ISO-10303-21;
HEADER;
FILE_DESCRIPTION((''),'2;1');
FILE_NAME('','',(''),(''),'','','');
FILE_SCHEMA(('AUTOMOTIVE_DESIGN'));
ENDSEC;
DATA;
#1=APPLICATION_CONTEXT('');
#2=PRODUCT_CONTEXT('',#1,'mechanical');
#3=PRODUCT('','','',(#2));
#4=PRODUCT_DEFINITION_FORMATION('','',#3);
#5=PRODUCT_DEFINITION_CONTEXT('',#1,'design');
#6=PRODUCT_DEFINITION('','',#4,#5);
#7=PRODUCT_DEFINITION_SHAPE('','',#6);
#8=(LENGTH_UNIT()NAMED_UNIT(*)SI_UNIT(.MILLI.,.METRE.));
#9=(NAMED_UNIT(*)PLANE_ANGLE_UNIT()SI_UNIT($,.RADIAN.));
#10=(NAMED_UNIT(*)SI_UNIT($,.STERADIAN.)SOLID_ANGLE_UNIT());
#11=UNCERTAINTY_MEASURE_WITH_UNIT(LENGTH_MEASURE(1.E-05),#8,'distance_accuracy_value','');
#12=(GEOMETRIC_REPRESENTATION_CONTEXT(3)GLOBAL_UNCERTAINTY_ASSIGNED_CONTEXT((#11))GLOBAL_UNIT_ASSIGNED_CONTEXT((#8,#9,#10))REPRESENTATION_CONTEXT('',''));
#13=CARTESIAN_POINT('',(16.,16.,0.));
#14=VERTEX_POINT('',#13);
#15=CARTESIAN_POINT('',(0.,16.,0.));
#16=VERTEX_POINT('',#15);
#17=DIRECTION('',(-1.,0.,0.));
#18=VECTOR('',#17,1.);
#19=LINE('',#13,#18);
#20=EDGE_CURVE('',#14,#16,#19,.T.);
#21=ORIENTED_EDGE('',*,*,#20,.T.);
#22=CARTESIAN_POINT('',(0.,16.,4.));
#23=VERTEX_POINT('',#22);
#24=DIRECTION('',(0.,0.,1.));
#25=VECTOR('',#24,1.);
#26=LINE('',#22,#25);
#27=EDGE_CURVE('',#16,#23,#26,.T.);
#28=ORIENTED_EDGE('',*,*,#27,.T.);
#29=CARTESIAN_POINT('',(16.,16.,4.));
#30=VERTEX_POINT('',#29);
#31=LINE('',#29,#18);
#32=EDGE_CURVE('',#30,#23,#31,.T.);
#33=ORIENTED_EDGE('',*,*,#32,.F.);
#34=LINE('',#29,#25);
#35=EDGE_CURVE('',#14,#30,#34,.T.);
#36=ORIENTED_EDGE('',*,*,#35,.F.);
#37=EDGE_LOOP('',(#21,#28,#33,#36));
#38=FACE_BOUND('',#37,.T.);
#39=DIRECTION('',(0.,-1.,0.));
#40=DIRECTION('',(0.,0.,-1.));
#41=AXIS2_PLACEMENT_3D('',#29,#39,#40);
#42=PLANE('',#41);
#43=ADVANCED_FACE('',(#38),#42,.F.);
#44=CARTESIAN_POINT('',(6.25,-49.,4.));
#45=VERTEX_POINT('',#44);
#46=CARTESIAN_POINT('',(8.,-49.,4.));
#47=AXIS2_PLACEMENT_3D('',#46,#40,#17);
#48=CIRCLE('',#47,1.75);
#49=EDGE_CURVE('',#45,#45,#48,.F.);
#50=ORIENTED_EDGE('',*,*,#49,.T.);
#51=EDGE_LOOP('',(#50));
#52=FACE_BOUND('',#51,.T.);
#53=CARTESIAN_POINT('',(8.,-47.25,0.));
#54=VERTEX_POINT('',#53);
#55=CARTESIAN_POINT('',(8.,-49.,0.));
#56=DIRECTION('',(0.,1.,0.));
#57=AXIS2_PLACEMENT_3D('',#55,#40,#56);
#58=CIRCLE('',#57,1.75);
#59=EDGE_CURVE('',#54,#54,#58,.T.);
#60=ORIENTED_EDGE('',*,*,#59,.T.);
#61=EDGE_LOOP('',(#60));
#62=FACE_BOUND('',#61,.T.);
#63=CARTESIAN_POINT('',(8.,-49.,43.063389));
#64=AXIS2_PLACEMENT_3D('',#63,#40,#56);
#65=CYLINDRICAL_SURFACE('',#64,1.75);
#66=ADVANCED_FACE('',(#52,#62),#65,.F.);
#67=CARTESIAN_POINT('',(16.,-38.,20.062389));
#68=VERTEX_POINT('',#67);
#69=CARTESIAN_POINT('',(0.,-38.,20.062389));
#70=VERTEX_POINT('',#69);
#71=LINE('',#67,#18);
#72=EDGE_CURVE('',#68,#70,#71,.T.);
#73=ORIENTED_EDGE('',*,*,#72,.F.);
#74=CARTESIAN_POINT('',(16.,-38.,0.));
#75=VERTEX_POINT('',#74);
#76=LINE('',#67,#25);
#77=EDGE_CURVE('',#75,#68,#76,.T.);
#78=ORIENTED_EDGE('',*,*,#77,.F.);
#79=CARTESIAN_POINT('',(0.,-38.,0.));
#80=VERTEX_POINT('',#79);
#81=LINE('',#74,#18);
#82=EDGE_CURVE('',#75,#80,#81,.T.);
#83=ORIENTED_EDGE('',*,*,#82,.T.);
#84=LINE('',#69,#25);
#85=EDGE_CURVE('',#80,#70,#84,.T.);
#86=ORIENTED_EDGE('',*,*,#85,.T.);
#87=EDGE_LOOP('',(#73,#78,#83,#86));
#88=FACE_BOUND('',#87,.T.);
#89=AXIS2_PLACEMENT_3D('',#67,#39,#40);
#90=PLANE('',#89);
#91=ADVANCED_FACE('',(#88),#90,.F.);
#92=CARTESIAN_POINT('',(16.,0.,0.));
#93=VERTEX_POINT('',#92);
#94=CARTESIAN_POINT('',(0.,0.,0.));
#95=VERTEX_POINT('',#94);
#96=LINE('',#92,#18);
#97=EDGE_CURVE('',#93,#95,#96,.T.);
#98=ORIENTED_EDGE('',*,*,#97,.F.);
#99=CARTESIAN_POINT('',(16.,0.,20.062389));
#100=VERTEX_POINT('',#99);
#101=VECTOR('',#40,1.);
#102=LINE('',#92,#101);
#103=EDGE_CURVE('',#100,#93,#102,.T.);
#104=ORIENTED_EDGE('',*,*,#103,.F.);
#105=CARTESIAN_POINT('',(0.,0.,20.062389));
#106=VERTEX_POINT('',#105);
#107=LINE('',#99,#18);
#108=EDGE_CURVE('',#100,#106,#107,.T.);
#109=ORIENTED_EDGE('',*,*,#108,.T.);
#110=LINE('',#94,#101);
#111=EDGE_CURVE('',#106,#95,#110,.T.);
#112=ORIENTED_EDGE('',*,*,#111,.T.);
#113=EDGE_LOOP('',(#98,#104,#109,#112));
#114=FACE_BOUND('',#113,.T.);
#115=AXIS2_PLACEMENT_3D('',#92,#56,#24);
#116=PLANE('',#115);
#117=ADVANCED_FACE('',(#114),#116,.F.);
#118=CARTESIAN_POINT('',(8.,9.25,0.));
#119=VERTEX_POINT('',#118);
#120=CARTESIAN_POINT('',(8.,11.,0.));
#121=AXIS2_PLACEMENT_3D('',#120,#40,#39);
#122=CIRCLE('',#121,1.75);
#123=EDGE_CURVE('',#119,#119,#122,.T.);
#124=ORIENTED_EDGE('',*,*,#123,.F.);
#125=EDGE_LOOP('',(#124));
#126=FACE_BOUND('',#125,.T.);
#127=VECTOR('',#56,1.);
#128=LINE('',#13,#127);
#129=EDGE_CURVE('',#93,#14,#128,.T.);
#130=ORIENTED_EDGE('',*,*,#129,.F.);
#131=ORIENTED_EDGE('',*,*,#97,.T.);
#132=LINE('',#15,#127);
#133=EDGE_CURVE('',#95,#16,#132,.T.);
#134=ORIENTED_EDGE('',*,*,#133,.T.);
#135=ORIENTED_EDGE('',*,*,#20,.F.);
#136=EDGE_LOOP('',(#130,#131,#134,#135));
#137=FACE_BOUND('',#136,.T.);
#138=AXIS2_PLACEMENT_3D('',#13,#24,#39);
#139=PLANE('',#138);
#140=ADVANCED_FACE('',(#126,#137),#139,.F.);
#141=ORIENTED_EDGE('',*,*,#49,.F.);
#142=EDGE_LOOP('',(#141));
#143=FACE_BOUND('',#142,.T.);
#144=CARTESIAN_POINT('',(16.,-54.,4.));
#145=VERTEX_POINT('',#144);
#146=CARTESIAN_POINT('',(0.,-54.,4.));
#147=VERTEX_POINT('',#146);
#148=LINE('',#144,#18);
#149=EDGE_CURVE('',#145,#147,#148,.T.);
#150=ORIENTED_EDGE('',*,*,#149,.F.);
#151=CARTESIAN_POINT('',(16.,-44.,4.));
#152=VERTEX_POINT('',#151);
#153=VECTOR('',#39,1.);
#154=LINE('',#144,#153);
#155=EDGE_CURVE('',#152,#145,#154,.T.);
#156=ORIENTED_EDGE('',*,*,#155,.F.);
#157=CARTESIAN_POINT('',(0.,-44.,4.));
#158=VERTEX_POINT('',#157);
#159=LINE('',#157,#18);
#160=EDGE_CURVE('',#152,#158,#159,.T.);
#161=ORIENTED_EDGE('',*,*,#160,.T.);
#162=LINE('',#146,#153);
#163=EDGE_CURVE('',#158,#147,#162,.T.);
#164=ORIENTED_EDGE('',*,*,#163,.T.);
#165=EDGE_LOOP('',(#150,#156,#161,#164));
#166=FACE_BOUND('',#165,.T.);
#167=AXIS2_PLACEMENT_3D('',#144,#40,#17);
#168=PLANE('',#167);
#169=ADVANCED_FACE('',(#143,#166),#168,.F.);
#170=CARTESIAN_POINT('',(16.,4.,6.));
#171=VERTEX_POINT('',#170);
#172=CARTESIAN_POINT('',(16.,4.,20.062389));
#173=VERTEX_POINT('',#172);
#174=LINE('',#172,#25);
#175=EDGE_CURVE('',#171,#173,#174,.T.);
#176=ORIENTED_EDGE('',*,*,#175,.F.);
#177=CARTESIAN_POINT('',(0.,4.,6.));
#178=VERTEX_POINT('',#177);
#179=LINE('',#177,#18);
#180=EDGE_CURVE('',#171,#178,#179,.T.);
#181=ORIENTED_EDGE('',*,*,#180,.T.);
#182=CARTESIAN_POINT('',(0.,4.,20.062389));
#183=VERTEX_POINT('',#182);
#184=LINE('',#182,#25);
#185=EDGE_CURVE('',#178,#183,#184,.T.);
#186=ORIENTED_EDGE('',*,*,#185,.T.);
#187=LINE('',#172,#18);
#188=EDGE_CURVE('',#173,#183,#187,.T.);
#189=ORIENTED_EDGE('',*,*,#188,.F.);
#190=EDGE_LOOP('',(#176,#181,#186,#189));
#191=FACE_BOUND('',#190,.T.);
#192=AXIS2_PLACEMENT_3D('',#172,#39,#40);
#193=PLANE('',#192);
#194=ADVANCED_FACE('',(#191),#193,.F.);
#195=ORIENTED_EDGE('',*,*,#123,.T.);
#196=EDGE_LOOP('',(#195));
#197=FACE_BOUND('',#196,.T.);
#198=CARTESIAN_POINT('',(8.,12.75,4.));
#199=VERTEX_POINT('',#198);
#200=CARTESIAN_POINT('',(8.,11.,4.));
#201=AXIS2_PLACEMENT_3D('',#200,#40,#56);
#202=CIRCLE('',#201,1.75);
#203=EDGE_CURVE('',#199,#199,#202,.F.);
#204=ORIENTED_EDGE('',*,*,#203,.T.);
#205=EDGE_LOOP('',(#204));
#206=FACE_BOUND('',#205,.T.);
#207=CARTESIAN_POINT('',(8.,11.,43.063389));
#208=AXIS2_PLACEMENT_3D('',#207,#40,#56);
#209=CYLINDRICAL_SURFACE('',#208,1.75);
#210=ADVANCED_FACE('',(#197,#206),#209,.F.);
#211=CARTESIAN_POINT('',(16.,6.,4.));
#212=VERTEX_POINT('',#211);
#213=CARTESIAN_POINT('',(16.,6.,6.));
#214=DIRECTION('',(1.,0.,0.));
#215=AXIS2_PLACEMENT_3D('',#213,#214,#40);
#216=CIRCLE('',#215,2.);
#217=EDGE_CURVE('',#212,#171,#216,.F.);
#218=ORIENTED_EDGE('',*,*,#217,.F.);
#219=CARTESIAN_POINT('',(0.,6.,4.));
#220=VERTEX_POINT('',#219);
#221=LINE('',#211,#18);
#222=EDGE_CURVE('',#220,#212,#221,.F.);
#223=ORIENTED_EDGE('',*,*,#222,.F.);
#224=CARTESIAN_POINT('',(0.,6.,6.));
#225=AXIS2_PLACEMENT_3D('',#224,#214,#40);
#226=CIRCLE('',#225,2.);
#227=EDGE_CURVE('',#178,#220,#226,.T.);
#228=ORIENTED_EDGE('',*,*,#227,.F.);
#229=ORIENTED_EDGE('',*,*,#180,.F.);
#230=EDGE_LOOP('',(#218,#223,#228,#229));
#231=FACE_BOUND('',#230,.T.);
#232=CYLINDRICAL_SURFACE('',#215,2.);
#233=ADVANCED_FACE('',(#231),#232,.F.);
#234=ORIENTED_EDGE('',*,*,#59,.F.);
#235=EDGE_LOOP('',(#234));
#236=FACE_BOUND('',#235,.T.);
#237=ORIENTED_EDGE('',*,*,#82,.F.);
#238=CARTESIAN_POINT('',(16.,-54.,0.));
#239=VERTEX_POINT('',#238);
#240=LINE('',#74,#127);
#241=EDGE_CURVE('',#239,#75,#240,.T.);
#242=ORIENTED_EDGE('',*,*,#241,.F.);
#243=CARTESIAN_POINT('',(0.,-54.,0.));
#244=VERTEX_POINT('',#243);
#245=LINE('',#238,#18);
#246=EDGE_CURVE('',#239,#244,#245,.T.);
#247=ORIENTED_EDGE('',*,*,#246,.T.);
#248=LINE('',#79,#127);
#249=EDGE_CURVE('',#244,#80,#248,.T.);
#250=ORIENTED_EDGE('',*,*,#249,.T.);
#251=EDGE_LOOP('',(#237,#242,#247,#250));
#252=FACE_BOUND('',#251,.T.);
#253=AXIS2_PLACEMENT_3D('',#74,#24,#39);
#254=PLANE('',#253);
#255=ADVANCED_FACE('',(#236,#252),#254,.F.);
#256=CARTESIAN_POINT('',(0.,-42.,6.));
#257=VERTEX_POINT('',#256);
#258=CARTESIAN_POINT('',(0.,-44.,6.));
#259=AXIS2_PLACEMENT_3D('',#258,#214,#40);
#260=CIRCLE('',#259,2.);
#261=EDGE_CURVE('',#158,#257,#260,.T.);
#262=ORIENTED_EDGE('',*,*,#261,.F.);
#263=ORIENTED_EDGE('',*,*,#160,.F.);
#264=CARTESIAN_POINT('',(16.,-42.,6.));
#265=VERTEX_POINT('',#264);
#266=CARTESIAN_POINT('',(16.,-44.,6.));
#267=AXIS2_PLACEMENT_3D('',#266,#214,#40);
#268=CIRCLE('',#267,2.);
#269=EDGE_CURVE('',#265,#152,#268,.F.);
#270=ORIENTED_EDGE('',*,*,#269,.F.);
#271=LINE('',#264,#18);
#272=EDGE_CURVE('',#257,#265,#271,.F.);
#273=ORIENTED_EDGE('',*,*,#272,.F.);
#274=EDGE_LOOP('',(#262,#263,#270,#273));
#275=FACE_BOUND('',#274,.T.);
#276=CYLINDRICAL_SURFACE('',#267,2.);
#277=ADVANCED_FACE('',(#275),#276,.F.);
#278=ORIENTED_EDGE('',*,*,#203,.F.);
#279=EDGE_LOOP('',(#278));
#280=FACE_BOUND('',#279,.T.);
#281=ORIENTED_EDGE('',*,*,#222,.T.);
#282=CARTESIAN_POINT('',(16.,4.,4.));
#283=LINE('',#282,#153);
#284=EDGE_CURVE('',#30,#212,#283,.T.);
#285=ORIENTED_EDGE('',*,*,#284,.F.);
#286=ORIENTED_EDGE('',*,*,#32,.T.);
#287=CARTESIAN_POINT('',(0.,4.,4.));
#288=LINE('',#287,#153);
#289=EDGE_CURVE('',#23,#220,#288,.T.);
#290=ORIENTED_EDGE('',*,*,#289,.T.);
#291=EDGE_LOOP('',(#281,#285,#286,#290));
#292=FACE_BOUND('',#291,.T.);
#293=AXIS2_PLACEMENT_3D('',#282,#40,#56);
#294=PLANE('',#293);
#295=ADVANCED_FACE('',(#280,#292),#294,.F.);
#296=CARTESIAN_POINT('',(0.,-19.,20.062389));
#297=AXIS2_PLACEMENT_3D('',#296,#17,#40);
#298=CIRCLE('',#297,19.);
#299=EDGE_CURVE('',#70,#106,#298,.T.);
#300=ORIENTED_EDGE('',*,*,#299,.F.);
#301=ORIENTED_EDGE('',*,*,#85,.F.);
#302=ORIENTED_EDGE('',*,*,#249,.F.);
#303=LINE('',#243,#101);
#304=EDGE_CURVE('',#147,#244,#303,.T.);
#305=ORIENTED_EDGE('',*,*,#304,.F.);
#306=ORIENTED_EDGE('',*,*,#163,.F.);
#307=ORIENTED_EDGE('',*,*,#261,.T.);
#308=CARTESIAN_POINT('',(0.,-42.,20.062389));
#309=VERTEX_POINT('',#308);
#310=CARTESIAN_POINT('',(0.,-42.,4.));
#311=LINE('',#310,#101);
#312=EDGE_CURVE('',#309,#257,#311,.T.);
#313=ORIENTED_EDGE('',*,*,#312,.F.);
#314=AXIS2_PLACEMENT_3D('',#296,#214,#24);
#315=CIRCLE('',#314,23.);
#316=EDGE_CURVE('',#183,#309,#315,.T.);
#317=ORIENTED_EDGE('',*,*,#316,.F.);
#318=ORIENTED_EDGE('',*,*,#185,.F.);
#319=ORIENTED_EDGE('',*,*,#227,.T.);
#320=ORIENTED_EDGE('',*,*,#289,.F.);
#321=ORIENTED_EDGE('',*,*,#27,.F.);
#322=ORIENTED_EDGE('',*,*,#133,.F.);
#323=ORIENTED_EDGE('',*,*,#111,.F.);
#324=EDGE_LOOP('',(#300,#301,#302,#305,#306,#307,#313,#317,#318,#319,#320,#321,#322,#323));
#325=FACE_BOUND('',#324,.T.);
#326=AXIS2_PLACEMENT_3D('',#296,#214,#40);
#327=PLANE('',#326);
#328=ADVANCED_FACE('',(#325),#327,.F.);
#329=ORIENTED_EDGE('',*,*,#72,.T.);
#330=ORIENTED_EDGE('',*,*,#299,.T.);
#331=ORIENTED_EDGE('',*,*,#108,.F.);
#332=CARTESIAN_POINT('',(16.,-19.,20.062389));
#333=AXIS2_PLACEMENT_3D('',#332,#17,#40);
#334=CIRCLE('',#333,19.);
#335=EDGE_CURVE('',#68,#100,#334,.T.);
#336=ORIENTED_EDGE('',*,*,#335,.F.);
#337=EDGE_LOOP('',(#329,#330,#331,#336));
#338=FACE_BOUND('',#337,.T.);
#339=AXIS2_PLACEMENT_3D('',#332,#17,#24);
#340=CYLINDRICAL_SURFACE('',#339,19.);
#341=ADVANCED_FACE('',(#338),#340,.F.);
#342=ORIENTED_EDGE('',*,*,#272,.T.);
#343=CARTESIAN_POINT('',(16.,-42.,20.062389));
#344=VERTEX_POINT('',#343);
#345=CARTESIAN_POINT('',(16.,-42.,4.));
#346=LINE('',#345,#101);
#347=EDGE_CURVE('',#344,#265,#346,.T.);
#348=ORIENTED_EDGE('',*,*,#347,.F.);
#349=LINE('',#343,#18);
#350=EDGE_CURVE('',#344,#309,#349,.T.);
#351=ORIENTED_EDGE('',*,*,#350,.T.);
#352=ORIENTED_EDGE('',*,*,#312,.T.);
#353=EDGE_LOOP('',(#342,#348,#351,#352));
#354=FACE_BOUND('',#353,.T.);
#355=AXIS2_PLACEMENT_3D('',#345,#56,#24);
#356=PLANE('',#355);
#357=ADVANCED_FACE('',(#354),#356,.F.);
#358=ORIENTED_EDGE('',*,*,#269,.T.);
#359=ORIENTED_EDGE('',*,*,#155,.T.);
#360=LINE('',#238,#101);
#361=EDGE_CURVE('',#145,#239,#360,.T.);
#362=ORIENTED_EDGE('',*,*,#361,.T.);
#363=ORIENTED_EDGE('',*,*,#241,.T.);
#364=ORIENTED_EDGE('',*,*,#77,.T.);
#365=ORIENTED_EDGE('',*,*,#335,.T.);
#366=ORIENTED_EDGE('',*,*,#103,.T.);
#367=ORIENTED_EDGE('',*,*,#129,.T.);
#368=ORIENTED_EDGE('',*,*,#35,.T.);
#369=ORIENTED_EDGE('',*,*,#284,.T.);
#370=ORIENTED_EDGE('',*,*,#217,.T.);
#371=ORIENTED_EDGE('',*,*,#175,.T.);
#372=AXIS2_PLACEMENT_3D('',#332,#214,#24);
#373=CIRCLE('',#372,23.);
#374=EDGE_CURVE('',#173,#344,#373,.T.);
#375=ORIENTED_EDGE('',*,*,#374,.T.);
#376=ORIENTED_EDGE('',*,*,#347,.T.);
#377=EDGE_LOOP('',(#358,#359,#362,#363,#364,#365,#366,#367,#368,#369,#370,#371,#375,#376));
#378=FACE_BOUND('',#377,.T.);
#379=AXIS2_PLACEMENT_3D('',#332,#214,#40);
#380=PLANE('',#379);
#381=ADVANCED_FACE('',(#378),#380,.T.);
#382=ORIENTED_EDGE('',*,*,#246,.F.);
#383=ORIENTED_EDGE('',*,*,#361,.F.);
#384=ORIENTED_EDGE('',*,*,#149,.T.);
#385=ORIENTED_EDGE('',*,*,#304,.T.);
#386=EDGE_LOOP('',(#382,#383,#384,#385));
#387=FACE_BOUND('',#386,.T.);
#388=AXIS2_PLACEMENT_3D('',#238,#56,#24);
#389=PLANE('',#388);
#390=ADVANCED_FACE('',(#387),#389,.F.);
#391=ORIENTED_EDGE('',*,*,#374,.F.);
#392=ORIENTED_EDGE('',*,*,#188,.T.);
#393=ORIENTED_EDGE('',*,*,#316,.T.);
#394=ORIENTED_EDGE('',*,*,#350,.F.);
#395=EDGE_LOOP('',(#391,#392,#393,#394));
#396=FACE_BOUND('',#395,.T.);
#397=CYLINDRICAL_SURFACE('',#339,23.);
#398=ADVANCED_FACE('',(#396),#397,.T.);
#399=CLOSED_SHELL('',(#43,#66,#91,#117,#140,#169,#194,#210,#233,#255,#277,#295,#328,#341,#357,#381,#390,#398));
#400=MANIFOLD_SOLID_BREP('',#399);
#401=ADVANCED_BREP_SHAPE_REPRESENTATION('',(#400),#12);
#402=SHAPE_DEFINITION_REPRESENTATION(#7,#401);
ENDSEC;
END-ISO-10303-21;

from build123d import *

# Parameters (mm, degrees)
BOSS_EXTRUDE1_DEPTH = 16
CUT_EXTRUDE1_REACH  = 72.897
SKETCH3_R           = 1.75
FILLET1_R           = 2


with BuildPart() as part:
    # Sketch2 → Boss-Extrude1 (new body)
    with BuildSketch(Plane.YZ):
        with BuildLine():
            Line((0, 0), (0, 20.06238879))
            ThreePointArc((0, 20.06238879), (-19, 39.06238879), (-38, 20.06238879))
            Line((-38, 20.06238879), (-38, 0))
            Line((-38, 0), (-54, 0))
            Line((-54, 0), (-54, 4))
            Line((-54, 4), (-42, 4))
            Line((-42, 4), (-42, 20.06238879))
            ThreePointArc((-42, 20.06238879), (-19, 43.06238879), (4, 20.06238879))
            Line((4, 20.06238879), (4, 4))
            Line((4, 4), (16, 4))
            Line((16, 4), (16, 0))
            Line((16, 0), (0, 0))
        make_face()
    extrude(amount=BOSS_EXTRUDE1_DEPTH)

    # Sketch3 → Cut-Extrude1 (cut, up to next)
    with BuildSketch(Plane(origin=(0, 0, 0), x_dir=(1, 0, 0), z_dir=(0, 0, -1)), mode=Mode.PRIVATE) as cut_extrude1_sk1:
        with Locations(Location((8, 49, 0), (0, 0, 270))):
            Circle(SKETCH3_R)
    cut_extrude1_tool1 = extrude(cut_extrude1_sk1.sketch, amount=-CUT_EXTRUDE1_REACH, mode=Mode.PRIVATE) & part.part
    # Sketch3 → Cut-Extrude1 (cut, up to next)
    with BuildSketch(Plane(origin=(0, 0, 0), x_dir=(1, 0, 0), z_dir=(0, 0, -1)), mode=Mode.PRIVATE) as cut_extrude1_sk2:
        with Locations(Location((8, -11, 0), (0, 0, 270))):
            Circle(SKETCH3_R)
    cut_extrude1_tool2 = extrude(cut_extrude1_sk2.sketch, amount=-CUT_EXTRUDE1_REACH, mode=Mode.PRIVATE) & part.part
    add(cut_extrude1_tool1.solids().sort_by_distance((8, -49, 0))[0], mode=Mode.SUBTRACT)
    add(cut_extrude1_tool2.solids().sort_by_distance((8, 11, 0))[0], mode=Mode.SUBTRACT)

    # Fillet1
    fillet1_edges = [part.edges().sort_by_distance(p)[0] for p in [
        (8, -42, 4),
        (8, 4, 4),
    ]]
    fillet(fillet1_edges, radius=FILLET1_R)


solid = part.part
